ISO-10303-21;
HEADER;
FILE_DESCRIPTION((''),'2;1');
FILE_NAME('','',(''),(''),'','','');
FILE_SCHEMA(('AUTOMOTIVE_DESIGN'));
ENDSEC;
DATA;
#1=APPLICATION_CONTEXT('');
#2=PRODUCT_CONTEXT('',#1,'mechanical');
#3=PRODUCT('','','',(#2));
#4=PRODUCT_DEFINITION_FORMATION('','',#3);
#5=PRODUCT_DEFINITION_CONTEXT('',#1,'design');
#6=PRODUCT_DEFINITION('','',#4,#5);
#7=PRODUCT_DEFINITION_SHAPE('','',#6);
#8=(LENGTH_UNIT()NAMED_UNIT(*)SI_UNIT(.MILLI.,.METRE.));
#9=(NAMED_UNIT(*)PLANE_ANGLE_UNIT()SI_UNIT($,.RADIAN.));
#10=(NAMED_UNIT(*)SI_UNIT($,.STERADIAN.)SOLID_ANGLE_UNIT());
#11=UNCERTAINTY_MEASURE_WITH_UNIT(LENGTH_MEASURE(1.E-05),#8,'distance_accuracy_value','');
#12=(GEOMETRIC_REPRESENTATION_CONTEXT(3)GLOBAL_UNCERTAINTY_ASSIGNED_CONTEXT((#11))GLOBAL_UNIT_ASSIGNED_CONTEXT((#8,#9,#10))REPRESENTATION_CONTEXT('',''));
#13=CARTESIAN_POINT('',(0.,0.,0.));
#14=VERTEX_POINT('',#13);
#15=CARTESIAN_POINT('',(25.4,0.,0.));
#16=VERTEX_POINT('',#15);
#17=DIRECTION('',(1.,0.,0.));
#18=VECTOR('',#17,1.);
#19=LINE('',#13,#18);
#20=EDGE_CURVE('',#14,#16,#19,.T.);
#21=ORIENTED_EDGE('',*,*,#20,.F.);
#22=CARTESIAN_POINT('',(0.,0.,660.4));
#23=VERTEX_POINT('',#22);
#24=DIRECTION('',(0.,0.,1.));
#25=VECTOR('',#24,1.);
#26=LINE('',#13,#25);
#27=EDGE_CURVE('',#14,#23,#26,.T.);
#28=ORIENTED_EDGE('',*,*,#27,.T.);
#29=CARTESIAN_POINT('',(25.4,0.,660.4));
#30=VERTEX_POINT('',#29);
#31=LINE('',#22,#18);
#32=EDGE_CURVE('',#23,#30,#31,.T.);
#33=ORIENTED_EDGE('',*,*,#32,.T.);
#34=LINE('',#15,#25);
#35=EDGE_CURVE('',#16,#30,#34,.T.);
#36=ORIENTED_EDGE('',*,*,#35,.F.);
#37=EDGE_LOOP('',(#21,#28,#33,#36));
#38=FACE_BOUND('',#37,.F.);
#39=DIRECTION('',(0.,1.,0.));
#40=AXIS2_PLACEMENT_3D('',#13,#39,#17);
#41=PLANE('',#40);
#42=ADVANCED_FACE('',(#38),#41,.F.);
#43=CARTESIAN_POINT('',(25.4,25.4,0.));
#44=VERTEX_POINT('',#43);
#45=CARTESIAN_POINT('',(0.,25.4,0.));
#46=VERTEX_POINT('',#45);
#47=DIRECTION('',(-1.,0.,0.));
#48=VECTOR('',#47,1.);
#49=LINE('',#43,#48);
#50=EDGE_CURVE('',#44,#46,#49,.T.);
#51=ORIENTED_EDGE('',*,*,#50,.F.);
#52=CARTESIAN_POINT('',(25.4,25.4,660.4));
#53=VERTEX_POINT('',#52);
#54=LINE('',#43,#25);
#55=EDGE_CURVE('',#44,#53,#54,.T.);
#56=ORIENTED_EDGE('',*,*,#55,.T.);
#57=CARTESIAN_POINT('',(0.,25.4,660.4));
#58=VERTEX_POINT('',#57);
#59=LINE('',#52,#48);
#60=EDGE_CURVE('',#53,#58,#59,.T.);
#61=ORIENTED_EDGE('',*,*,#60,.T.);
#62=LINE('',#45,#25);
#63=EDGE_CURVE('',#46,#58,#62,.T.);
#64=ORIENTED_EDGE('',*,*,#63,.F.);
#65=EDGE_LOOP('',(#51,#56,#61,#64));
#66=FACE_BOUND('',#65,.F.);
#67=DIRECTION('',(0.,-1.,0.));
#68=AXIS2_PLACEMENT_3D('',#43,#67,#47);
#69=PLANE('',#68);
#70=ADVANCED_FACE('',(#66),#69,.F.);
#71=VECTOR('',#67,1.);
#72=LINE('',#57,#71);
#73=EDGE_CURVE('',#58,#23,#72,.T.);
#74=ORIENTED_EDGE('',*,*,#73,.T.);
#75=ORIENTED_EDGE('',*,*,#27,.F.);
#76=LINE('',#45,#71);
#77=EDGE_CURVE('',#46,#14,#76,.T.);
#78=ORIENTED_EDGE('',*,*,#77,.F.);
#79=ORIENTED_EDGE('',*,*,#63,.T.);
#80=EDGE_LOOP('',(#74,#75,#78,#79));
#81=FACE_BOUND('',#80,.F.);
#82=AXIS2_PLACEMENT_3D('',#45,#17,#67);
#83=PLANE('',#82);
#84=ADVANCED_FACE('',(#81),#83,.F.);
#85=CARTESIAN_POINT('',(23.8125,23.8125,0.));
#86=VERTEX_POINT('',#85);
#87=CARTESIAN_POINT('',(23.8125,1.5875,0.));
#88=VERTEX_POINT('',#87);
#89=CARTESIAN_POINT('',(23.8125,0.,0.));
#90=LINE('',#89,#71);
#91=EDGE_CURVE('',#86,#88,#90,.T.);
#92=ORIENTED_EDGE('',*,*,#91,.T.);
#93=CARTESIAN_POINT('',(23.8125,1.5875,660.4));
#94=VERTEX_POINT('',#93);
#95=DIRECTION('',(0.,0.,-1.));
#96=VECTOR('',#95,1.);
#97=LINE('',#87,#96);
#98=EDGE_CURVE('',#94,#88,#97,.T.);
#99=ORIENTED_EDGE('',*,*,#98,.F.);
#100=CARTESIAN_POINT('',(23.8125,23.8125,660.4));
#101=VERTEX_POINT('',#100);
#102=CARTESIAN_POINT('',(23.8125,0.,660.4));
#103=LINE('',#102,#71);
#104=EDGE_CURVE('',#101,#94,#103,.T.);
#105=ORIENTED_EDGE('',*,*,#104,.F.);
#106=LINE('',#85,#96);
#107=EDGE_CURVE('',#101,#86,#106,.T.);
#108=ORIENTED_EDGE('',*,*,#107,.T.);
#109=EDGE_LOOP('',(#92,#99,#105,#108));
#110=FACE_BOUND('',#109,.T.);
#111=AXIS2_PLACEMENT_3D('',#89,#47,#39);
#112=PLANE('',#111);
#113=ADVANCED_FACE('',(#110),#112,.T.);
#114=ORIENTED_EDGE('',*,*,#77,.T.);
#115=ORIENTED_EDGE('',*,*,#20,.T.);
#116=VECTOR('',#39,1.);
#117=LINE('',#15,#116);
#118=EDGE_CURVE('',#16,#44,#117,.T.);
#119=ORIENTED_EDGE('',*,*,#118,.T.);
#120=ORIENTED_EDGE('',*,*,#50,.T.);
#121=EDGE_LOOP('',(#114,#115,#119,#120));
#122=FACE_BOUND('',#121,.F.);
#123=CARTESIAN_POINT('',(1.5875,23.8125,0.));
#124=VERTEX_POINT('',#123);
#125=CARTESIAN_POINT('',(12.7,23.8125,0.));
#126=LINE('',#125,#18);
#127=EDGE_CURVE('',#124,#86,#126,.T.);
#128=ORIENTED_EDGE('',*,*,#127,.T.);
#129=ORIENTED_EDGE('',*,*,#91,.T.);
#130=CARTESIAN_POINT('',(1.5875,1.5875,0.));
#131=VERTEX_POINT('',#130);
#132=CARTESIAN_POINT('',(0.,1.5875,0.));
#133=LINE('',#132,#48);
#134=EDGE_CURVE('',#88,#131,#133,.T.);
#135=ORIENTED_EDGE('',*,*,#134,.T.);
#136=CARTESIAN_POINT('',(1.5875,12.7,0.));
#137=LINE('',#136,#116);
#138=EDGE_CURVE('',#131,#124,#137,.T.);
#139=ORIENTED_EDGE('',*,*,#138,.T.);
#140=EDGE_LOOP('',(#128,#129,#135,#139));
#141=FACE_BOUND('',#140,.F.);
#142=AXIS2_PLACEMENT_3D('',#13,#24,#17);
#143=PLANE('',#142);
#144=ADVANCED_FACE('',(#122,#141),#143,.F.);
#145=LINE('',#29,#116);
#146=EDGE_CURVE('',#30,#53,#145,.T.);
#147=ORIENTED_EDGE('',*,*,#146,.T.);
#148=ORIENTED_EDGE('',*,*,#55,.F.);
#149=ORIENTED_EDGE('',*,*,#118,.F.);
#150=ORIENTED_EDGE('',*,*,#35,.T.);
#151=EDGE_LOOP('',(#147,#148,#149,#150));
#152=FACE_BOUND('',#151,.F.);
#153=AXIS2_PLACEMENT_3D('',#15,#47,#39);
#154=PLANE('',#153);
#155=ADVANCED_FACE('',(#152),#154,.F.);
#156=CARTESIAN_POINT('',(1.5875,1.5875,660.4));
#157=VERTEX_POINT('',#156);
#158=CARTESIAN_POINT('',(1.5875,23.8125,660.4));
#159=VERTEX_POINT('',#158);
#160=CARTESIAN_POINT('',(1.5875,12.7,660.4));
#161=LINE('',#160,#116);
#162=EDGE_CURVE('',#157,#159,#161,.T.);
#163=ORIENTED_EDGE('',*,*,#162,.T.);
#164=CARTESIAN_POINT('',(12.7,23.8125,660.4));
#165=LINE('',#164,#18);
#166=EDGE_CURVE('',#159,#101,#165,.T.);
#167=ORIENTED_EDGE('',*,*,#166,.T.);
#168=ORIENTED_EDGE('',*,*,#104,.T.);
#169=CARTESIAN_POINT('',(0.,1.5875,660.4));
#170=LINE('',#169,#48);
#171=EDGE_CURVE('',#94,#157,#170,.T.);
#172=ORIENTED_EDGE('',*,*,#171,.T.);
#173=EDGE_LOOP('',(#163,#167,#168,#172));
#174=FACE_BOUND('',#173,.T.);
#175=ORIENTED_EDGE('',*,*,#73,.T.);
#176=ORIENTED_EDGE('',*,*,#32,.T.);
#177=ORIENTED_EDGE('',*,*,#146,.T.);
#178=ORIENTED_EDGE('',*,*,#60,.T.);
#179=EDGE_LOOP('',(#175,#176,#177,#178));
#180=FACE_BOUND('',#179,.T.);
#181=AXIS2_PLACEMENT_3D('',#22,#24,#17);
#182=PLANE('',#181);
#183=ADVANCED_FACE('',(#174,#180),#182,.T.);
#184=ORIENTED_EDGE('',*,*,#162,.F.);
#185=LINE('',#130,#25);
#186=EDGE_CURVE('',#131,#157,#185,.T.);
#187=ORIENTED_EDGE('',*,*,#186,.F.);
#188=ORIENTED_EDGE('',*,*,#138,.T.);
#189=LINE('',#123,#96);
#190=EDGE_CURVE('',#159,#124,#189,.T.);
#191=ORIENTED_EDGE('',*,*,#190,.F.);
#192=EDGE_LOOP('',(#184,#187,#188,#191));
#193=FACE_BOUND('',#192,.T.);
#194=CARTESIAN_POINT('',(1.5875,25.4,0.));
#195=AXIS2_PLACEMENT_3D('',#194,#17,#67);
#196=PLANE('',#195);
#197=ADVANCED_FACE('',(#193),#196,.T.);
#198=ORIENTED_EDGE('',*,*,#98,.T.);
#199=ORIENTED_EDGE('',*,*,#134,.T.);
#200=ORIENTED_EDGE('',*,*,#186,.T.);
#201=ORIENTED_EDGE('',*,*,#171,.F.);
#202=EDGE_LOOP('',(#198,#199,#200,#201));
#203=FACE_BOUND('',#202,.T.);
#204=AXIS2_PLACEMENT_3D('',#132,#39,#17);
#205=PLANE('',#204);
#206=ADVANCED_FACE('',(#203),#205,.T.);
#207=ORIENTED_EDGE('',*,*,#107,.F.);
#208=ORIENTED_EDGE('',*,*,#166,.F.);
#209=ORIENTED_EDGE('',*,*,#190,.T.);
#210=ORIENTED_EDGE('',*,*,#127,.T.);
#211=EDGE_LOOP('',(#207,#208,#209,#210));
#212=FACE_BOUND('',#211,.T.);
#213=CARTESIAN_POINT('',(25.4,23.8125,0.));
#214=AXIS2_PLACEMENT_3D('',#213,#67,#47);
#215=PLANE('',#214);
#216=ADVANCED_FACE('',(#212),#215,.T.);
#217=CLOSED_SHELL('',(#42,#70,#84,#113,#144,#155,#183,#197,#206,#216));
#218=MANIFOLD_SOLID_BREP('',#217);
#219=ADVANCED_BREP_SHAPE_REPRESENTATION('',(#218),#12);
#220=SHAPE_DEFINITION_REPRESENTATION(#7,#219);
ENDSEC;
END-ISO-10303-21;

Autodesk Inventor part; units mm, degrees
ref_plane "YZ Plane" through (0, 0, 0) normal (1, 0, 0) x (0, 1, 0)
ref_plane "XZ Plane" through (0, 0, 0) normal (0, 1, 0) x (-1, 0, 0)
ref_plane "XY Plane" through (0, 0, 0) normal (0, 0, 1) x (1, 0, 0)
sketch "Sketch1" plane through (0, 0, 0) normal (0, 0, 1) x (1, 0, 0)
  line L0 (0, 0) -> (25.4, 0)
  line L1 (25.4, 0) -> (25.4, 25.4)
  line L2 (25.4, 25.4) -> (0, 25.4)
  line L3 (0, 25.4) -> (0, 0)
  dimension "d0" = 25.4
  dimension "d1" = 25.4
extrude "Extrusion1" add sketch "Sketch1" along normal blind 660.4
shell "Shell1" thickness 1.5875 removed faces 2 at (8.4667, 16.9333, 0) at (8.4667, 16.9333, 660.4)
equation "\"d1\" = d0"
properties part number "CrossFrameRail" material "Aluminum-6061"
